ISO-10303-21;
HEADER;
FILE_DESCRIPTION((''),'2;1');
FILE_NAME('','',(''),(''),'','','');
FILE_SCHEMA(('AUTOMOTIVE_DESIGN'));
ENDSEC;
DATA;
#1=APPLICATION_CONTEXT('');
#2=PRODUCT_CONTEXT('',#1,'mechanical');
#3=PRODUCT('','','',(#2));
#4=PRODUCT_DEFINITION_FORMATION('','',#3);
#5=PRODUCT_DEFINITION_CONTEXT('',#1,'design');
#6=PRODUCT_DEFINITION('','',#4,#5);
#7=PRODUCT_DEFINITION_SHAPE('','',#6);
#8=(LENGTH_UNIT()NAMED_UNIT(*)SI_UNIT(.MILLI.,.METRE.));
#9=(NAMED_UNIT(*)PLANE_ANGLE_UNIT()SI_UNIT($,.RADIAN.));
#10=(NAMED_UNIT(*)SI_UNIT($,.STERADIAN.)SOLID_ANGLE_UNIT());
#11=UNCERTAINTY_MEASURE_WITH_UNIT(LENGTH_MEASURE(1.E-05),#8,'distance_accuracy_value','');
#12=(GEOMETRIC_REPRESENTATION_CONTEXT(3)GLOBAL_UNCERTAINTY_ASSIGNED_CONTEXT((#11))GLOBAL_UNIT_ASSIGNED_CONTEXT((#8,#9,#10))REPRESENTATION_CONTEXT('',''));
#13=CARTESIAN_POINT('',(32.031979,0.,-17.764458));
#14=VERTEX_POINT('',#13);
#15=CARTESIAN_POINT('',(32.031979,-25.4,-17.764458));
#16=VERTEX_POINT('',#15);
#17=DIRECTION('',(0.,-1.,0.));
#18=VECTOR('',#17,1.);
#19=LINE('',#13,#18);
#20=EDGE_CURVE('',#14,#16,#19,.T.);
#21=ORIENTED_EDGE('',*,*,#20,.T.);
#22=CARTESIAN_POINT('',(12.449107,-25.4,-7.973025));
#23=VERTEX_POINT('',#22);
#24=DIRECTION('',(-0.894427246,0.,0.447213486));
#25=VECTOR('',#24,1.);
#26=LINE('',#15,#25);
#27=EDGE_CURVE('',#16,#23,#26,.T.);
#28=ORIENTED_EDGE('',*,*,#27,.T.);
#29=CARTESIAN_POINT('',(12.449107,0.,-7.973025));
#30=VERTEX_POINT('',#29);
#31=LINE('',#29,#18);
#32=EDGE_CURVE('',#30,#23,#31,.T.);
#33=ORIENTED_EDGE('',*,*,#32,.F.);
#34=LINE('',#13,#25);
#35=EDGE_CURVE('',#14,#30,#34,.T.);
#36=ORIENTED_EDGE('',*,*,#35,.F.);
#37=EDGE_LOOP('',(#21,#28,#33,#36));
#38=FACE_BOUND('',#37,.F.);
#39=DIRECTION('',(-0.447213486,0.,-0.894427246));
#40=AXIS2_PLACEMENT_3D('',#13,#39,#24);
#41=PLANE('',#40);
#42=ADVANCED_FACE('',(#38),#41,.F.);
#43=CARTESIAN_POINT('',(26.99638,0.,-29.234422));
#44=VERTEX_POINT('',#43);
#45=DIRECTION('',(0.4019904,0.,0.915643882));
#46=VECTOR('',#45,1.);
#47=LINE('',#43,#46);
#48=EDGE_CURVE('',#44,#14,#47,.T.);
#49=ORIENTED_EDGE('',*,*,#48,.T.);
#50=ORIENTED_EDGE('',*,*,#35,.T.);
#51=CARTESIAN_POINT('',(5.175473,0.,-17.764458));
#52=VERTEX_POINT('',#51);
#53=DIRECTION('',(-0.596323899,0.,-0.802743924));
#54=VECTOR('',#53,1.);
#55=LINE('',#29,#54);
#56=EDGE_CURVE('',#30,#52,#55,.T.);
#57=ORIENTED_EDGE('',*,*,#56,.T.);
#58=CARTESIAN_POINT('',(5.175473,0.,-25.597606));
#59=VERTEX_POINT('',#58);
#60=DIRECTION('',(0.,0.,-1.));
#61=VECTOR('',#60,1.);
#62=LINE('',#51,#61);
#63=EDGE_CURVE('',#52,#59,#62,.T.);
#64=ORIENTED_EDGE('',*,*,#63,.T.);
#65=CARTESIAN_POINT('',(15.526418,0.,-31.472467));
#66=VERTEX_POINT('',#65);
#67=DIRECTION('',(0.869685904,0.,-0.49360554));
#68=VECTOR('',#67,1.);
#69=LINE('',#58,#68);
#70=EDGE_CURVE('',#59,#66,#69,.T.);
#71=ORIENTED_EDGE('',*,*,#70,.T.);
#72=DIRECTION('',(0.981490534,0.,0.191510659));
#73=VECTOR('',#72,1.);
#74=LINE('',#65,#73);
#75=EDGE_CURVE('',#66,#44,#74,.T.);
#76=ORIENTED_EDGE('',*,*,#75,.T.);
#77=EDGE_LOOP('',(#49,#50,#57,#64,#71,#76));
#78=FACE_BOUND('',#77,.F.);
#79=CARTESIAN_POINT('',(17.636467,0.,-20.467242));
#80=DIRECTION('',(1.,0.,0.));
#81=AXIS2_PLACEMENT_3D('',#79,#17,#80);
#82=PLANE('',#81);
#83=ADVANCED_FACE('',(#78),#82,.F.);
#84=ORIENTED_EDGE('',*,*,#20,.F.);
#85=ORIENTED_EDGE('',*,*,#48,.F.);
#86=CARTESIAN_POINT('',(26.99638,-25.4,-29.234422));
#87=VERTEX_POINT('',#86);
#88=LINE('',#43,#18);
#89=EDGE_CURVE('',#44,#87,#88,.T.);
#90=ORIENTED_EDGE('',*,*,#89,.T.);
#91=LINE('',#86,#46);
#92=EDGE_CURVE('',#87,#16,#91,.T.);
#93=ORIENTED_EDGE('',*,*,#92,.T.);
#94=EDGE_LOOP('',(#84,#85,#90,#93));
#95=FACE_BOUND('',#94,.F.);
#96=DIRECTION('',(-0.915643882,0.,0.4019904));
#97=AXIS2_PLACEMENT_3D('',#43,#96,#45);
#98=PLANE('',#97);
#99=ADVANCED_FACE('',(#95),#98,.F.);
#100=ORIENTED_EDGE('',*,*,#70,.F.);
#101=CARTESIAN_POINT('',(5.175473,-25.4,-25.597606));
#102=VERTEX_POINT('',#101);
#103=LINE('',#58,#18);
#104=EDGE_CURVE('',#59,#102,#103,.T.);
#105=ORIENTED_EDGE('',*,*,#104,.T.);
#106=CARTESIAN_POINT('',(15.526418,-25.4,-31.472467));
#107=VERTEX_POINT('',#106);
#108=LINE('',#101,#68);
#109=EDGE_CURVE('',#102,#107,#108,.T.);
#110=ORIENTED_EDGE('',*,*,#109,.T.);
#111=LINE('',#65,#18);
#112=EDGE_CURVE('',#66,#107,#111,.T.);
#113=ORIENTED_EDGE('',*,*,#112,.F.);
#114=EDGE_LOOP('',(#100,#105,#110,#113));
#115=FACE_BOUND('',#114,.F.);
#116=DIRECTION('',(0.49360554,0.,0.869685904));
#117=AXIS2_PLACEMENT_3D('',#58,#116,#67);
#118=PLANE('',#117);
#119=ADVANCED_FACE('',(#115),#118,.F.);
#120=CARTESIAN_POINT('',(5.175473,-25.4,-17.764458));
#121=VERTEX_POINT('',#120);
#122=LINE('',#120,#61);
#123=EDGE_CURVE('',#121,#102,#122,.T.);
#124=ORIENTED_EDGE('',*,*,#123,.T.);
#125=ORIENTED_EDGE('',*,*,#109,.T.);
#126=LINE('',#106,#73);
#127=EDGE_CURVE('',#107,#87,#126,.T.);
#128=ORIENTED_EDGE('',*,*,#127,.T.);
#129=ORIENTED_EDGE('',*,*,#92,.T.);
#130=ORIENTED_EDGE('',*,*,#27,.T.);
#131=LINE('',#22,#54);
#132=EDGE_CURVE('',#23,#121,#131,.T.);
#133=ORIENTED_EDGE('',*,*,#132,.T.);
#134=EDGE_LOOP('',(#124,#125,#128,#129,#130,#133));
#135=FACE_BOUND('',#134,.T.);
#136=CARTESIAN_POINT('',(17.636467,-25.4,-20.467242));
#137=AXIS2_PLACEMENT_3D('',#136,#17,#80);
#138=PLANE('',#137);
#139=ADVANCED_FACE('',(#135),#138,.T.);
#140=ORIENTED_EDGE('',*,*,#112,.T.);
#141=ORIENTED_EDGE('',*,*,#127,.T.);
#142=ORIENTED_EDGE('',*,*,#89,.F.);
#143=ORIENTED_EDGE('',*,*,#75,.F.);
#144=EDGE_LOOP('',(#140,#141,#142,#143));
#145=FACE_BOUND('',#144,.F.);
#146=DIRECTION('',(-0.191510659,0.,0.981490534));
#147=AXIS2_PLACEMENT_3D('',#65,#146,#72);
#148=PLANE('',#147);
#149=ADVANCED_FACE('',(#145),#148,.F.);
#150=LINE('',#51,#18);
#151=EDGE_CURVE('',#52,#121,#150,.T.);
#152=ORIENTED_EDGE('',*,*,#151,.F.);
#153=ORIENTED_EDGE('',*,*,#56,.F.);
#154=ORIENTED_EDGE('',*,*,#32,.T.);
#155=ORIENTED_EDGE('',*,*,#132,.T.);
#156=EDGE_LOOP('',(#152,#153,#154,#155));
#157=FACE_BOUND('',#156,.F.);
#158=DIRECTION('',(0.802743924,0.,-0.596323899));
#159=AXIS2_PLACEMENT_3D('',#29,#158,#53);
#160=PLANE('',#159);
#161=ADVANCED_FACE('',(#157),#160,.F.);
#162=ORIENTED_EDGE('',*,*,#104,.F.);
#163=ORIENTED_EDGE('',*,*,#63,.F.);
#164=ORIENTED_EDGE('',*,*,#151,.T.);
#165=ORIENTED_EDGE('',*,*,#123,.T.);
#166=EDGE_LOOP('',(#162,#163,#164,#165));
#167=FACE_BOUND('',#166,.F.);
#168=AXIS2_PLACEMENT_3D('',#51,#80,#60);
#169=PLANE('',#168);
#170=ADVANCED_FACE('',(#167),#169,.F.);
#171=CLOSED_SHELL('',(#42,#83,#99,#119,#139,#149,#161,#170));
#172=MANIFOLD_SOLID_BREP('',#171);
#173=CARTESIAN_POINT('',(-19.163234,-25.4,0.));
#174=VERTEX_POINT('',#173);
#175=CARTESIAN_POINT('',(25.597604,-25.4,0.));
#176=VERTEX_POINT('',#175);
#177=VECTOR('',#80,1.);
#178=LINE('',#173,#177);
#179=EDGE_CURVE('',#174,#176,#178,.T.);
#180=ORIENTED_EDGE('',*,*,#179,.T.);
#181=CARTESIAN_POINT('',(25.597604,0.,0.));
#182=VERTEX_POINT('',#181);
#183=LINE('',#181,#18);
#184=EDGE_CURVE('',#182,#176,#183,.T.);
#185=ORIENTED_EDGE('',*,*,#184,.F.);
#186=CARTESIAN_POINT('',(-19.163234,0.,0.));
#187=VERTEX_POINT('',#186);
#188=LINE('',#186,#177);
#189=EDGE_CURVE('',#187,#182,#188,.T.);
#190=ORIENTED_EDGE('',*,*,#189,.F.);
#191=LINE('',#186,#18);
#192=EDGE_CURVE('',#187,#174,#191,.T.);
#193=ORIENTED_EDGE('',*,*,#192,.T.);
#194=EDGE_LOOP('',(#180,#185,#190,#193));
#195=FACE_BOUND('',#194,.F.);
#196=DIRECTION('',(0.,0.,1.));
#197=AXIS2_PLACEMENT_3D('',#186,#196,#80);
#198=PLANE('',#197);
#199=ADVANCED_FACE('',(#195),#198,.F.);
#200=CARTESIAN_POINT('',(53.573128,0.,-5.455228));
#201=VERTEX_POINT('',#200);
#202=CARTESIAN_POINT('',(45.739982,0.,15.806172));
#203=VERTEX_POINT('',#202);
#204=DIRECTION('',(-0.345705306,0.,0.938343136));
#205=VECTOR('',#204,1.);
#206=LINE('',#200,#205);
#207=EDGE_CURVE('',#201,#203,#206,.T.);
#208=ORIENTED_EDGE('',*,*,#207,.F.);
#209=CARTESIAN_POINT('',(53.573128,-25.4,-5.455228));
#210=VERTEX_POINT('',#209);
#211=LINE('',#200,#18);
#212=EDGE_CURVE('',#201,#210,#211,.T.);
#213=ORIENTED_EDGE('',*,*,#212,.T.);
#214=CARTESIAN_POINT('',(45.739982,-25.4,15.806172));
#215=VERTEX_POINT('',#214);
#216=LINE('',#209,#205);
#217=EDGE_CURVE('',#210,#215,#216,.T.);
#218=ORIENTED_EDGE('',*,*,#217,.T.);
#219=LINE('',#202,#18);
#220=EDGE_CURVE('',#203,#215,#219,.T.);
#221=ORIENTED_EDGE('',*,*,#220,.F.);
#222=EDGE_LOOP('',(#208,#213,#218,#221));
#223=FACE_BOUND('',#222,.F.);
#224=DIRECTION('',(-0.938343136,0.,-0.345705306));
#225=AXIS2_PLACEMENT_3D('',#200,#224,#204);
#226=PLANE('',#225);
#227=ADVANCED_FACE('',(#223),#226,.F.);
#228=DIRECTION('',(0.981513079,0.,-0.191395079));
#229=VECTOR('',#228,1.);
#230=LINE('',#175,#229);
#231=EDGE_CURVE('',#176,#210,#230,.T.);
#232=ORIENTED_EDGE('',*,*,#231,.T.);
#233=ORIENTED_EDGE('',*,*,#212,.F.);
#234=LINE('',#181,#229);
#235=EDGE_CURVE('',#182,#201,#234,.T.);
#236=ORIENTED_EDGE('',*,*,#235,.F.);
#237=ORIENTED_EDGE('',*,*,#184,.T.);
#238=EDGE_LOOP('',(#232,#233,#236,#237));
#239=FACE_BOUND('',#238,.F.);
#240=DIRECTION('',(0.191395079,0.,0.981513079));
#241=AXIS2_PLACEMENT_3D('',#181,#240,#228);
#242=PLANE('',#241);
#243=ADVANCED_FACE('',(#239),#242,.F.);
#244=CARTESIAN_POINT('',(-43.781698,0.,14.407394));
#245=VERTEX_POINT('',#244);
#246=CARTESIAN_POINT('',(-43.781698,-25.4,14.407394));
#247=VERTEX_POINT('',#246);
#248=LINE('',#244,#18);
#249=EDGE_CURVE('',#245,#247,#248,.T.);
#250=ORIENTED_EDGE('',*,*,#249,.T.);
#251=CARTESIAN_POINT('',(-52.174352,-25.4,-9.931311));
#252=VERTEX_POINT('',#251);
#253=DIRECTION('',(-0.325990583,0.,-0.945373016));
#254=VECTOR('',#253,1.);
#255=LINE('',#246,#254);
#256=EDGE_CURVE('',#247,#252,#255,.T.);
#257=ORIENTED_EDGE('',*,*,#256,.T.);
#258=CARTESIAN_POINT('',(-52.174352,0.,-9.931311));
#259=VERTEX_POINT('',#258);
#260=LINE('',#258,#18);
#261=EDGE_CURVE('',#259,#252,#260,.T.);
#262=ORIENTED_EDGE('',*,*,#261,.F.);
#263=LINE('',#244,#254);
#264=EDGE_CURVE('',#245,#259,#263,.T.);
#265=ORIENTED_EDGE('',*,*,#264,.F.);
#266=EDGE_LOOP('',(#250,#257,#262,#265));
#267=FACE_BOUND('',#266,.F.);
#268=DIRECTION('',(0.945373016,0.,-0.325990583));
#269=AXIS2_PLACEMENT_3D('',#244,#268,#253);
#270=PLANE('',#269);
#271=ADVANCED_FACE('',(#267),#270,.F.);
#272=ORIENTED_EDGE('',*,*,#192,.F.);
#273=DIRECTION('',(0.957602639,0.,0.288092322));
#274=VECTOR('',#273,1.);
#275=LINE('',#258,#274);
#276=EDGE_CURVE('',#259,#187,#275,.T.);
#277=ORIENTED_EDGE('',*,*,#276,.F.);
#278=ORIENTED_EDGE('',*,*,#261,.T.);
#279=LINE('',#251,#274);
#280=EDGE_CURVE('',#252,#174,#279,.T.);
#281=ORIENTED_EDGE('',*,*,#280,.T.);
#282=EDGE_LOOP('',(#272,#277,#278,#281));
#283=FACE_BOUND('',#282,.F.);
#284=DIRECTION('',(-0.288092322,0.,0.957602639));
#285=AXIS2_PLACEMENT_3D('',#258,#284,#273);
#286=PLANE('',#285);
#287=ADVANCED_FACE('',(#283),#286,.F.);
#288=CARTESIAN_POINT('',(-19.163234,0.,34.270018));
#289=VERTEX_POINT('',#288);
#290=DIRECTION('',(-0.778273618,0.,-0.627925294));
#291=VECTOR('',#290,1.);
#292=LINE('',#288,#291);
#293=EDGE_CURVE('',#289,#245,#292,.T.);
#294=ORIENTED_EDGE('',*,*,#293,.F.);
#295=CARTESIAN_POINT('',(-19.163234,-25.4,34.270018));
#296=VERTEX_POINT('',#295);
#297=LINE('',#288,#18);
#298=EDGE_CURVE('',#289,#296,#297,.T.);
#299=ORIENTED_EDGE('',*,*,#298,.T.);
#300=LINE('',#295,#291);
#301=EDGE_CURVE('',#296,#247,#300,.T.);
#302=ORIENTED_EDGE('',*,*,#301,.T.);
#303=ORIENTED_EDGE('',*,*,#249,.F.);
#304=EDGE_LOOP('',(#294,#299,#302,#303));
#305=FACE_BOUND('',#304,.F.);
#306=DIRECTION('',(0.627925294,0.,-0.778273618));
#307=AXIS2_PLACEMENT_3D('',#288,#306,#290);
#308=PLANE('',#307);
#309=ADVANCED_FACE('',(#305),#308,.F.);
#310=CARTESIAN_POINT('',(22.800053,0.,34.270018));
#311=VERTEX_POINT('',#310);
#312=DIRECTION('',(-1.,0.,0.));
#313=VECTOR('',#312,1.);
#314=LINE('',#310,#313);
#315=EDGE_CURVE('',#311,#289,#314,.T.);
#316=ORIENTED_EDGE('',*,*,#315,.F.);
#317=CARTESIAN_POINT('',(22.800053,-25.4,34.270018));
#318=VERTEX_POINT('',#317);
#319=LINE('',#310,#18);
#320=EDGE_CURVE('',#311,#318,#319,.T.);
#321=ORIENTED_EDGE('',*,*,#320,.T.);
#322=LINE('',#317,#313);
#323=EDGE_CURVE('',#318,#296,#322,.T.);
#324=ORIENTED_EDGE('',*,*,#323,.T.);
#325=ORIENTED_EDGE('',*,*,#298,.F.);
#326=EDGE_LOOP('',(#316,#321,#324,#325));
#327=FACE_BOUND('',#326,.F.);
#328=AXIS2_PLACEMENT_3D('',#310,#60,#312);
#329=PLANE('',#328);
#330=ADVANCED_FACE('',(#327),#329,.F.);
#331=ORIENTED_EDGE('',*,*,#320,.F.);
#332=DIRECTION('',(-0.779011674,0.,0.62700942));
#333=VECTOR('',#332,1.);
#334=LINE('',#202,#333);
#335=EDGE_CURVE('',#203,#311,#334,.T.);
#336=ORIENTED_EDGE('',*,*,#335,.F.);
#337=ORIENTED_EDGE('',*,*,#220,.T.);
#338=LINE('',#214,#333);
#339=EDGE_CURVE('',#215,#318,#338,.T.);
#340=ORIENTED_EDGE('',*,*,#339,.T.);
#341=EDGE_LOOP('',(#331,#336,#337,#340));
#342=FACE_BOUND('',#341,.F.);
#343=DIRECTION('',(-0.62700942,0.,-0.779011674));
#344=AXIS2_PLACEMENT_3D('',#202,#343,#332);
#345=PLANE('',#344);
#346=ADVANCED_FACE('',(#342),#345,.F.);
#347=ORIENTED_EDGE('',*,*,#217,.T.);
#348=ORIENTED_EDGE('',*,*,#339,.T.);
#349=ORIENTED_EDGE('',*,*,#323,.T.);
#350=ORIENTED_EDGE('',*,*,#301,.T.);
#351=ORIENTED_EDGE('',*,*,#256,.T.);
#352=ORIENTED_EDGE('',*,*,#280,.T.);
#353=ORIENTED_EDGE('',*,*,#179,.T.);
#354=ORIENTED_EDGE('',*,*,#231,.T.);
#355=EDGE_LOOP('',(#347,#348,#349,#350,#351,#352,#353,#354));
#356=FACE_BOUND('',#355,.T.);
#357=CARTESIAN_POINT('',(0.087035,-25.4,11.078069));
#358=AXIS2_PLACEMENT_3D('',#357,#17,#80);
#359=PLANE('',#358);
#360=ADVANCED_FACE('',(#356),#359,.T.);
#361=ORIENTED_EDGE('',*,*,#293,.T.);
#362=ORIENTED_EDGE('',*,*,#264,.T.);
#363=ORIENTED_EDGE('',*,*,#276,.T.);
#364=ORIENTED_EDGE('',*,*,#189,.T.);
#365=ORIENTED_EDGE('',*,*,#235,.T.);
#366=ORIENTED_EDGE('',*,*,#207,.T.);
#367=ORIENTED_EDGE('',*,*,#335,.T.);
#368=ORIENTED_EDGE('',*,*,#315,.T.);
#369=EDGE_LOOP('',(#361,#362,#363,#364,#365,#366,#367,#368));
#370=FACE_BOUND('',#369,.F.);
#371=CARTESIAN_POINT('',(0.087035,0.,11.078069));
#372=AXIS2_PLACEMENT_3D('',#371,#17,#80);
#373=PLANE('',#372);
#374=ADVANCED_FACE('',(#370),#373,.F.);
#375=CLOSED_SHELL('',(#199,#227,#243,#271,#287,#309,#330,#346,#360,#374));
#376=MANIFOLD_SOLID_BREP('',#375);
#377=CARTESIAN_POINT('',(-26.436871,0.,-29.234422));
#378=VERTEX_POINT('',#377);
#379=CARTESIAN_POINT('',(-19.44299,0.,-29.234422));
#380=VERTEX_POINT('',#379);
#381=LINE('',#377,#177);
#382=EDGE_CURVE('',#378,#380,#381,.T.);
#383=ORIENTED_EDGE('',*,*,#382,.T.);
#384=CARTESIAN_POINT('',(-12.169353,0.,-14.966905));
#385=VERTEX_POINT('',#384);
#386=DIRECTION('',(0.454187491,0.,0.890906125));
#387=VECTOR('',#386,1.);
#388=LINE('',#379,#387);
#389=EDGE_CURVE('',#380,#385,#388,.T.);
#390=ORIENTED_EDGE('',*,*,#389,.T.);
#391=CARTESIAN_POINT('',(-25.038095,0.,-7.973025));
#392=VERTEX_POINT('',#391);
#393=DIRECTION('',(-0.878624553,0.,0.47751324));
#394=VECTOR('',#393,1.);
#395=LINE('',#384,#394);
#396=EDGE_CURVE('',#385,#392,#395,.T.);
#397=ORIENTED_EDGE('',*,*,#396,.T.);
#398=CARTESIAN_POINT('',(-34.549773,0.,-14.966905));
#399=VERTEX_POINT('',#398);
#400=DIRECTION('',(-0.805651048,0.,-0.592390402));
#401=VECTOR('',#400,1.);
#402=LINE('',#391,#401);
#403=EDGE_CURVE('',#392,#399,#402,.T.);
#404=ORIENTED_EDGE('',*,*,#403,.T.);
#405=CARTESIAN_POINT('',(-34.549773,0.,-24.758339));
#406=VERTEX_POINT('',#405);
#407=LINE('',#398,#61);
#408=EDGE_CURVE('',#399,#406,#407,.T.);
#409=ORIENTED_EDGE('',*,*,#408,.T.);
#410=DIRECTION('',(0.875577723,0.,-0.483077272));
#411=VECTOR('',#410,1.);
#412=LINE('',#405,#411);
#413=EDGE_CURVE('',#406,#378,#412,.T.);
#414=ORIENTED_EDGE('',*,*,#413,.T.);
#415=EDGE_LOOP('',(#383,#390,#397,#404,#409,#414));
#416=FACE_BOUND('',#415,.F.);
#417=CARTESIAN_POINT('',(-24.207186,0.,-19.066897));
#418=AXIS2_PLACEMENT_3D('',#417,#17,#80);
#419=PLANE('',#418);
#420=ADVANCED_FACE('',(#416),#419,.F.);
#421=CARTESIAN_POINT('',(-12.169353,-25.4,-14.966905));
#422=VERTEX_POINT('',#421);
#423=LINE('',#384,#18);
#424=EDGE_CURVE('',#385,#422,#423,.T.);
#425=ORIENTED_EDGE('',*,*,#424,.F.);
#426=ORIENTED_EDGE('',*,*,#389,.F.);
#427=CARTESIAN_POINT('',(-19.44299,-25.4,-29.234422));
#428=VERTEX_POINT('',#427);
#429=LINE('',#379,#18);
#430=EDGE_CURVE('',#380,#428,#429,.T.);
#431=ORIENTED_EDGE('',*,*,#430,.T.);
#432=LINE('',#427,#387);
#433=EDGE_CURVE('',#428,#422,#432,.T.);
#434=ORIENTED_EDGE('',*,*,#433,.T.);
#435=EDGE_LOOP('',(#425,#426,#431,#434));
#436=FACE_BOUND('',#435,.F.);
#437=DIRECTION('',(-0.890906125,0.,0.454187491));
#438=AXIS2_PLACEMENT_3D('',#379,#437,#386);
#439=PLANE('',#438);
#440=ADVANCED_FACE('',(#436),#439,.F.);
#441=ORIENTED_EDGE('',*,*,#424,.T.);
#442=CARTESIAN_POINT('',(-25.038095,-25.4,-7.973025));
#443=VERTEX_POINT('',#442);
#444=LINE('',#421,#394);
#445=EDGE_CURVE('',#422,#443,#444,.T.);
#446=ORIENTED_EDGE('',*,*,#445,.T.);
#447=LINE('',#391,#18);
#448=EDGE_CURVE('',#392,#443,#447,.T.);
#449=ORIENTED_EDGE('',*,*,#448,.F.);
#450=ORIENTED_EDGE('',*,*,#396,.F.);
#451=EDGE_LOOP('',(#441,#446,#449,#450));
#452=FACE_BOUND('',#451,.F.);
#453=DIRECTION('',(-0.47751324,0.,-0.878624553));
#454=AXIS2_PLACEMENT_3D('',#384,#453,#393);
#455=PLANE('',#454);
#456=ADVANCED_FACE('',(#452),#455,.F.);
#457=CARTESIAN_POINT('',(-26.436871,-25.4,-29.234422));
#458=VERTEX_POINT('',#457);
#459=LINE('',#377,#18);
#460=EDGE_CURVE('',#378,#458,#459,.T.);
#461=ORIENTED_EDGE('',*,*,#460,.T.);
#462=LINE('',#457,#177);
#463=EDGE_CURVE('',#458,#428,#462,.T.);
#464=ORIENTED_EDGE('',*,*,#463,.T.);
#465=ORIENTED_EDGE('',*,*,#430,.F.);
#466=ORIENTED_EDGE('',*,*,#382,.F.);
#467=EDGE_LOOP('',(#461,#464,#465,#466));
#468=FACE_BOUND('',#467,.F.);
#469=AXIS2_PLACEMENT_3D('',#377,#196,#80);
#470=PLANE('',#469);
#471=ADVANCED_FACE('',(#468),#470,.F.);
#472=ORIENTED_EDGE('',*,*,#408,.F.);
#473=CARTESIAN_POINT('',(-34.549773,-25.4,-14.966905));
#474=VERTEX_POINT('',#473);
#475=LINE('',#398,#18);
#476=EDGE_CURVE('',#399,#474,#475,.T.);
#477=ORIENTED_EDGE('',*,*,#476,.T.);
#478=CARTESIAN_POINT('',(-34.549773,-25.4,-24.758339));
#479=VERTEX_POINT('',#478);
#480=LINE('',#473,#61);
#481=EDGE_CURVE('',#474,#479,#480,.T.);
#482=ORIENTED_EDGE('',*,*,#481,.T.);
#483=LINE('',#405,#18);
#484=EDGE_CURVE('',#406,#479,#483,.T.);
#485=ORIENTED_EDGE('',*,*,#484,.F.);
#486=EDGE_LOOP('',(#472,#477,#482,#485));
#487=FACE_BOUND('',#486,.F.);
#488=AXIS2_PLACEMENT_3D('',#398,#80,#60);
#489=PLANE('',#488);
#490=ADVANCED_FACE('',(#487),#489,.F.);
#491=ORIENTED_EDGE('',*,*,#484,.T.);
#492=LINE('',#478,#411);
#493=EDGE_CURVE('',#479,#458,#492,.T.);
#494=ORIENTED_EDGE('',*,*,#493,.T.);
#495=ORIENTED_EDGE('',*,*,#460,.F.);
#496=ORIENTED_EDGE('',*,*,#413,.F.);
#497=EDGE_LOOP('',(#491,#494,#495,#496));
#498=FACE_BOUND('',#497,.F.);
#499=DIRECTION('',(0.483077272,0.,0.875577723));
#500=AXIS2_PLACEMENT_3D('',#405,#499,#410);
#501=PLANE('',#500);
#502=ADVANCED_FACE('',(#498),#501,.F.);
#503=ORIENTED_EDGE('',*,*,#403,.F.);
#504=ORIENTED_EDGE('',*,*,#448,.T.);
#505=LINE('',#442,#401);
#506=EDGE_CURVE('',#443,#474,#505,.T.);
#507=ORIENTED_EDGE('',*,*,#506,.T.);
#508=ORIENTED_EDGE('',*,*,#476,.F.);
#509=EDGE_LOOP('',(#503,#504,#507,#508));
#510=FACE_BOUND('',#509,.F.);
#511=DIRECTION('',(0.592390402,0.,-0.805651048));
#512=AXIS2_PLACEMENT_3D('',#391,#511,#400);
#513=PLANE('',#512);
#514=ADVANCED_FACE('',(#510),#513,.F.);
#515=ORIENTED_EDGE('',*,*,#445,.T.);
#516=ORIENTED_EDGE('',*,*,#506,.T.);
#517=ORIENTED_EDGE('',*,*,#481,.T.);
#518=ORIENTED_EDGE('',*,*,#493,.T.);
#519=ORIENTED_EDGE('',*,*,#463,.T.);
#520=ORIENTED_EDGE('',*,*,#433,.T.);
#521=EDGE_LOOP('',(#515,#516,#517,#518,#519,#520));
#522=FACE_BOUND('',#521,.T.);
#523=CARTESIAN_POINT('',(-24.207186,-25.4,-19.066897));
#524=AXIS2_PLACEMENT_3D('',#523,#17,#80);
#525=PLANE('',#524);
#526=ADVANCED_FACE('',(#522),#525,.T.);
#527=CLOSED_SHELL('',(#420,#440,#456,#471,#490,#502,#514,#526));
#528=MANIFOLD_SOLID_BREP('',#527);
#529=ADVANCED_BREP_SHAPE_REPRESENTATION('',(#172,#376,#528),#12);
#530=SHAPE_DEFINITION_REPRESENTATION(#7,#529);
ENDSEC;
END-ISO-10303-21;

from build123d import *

# Parameters (mm, degrees)
F1_DEPTH = 25.4
F3_DEPTH = 25.4


with BuildPart() as f1:
    # F0 (on Front) → F1 (new body)
    with BuildSketch(Plane.XZ):
        Polygon((-19.163234, 34.270018), (-43.781698, 14.407394), (-52.174352, -9.931311), (-19.163234, 0), (25.597604, 0), (53.573128, -5.455228), (45.739982, 15.806172), (22.800053, 34.270018), align=None)
    extrude(amount=F1_DEPTH)


with BuildPart() as f3:
    # F2 (on Front) → F3 (new body)
    with BuildSketch(Plane.XZ):
        Polygon((-12.169353, -14.966905), (-25.038095, -7.973025), (-34.549773, -14.966905), (-34.549773, -24.758339), (-26.436871, -29.234422), (-19.44299, -29.234422), align=None)
        Polygon((32.031979, -17.764458), (12.449107, -7.973025), (5.175473, -17.764458), (5.175473, -25.597606), (15.526418, -31.472467), (26.99638, -29.234422), align=None)
    extrude(amount=F3_DEPTH)


solid = Compound([f1.part, f3.part])
